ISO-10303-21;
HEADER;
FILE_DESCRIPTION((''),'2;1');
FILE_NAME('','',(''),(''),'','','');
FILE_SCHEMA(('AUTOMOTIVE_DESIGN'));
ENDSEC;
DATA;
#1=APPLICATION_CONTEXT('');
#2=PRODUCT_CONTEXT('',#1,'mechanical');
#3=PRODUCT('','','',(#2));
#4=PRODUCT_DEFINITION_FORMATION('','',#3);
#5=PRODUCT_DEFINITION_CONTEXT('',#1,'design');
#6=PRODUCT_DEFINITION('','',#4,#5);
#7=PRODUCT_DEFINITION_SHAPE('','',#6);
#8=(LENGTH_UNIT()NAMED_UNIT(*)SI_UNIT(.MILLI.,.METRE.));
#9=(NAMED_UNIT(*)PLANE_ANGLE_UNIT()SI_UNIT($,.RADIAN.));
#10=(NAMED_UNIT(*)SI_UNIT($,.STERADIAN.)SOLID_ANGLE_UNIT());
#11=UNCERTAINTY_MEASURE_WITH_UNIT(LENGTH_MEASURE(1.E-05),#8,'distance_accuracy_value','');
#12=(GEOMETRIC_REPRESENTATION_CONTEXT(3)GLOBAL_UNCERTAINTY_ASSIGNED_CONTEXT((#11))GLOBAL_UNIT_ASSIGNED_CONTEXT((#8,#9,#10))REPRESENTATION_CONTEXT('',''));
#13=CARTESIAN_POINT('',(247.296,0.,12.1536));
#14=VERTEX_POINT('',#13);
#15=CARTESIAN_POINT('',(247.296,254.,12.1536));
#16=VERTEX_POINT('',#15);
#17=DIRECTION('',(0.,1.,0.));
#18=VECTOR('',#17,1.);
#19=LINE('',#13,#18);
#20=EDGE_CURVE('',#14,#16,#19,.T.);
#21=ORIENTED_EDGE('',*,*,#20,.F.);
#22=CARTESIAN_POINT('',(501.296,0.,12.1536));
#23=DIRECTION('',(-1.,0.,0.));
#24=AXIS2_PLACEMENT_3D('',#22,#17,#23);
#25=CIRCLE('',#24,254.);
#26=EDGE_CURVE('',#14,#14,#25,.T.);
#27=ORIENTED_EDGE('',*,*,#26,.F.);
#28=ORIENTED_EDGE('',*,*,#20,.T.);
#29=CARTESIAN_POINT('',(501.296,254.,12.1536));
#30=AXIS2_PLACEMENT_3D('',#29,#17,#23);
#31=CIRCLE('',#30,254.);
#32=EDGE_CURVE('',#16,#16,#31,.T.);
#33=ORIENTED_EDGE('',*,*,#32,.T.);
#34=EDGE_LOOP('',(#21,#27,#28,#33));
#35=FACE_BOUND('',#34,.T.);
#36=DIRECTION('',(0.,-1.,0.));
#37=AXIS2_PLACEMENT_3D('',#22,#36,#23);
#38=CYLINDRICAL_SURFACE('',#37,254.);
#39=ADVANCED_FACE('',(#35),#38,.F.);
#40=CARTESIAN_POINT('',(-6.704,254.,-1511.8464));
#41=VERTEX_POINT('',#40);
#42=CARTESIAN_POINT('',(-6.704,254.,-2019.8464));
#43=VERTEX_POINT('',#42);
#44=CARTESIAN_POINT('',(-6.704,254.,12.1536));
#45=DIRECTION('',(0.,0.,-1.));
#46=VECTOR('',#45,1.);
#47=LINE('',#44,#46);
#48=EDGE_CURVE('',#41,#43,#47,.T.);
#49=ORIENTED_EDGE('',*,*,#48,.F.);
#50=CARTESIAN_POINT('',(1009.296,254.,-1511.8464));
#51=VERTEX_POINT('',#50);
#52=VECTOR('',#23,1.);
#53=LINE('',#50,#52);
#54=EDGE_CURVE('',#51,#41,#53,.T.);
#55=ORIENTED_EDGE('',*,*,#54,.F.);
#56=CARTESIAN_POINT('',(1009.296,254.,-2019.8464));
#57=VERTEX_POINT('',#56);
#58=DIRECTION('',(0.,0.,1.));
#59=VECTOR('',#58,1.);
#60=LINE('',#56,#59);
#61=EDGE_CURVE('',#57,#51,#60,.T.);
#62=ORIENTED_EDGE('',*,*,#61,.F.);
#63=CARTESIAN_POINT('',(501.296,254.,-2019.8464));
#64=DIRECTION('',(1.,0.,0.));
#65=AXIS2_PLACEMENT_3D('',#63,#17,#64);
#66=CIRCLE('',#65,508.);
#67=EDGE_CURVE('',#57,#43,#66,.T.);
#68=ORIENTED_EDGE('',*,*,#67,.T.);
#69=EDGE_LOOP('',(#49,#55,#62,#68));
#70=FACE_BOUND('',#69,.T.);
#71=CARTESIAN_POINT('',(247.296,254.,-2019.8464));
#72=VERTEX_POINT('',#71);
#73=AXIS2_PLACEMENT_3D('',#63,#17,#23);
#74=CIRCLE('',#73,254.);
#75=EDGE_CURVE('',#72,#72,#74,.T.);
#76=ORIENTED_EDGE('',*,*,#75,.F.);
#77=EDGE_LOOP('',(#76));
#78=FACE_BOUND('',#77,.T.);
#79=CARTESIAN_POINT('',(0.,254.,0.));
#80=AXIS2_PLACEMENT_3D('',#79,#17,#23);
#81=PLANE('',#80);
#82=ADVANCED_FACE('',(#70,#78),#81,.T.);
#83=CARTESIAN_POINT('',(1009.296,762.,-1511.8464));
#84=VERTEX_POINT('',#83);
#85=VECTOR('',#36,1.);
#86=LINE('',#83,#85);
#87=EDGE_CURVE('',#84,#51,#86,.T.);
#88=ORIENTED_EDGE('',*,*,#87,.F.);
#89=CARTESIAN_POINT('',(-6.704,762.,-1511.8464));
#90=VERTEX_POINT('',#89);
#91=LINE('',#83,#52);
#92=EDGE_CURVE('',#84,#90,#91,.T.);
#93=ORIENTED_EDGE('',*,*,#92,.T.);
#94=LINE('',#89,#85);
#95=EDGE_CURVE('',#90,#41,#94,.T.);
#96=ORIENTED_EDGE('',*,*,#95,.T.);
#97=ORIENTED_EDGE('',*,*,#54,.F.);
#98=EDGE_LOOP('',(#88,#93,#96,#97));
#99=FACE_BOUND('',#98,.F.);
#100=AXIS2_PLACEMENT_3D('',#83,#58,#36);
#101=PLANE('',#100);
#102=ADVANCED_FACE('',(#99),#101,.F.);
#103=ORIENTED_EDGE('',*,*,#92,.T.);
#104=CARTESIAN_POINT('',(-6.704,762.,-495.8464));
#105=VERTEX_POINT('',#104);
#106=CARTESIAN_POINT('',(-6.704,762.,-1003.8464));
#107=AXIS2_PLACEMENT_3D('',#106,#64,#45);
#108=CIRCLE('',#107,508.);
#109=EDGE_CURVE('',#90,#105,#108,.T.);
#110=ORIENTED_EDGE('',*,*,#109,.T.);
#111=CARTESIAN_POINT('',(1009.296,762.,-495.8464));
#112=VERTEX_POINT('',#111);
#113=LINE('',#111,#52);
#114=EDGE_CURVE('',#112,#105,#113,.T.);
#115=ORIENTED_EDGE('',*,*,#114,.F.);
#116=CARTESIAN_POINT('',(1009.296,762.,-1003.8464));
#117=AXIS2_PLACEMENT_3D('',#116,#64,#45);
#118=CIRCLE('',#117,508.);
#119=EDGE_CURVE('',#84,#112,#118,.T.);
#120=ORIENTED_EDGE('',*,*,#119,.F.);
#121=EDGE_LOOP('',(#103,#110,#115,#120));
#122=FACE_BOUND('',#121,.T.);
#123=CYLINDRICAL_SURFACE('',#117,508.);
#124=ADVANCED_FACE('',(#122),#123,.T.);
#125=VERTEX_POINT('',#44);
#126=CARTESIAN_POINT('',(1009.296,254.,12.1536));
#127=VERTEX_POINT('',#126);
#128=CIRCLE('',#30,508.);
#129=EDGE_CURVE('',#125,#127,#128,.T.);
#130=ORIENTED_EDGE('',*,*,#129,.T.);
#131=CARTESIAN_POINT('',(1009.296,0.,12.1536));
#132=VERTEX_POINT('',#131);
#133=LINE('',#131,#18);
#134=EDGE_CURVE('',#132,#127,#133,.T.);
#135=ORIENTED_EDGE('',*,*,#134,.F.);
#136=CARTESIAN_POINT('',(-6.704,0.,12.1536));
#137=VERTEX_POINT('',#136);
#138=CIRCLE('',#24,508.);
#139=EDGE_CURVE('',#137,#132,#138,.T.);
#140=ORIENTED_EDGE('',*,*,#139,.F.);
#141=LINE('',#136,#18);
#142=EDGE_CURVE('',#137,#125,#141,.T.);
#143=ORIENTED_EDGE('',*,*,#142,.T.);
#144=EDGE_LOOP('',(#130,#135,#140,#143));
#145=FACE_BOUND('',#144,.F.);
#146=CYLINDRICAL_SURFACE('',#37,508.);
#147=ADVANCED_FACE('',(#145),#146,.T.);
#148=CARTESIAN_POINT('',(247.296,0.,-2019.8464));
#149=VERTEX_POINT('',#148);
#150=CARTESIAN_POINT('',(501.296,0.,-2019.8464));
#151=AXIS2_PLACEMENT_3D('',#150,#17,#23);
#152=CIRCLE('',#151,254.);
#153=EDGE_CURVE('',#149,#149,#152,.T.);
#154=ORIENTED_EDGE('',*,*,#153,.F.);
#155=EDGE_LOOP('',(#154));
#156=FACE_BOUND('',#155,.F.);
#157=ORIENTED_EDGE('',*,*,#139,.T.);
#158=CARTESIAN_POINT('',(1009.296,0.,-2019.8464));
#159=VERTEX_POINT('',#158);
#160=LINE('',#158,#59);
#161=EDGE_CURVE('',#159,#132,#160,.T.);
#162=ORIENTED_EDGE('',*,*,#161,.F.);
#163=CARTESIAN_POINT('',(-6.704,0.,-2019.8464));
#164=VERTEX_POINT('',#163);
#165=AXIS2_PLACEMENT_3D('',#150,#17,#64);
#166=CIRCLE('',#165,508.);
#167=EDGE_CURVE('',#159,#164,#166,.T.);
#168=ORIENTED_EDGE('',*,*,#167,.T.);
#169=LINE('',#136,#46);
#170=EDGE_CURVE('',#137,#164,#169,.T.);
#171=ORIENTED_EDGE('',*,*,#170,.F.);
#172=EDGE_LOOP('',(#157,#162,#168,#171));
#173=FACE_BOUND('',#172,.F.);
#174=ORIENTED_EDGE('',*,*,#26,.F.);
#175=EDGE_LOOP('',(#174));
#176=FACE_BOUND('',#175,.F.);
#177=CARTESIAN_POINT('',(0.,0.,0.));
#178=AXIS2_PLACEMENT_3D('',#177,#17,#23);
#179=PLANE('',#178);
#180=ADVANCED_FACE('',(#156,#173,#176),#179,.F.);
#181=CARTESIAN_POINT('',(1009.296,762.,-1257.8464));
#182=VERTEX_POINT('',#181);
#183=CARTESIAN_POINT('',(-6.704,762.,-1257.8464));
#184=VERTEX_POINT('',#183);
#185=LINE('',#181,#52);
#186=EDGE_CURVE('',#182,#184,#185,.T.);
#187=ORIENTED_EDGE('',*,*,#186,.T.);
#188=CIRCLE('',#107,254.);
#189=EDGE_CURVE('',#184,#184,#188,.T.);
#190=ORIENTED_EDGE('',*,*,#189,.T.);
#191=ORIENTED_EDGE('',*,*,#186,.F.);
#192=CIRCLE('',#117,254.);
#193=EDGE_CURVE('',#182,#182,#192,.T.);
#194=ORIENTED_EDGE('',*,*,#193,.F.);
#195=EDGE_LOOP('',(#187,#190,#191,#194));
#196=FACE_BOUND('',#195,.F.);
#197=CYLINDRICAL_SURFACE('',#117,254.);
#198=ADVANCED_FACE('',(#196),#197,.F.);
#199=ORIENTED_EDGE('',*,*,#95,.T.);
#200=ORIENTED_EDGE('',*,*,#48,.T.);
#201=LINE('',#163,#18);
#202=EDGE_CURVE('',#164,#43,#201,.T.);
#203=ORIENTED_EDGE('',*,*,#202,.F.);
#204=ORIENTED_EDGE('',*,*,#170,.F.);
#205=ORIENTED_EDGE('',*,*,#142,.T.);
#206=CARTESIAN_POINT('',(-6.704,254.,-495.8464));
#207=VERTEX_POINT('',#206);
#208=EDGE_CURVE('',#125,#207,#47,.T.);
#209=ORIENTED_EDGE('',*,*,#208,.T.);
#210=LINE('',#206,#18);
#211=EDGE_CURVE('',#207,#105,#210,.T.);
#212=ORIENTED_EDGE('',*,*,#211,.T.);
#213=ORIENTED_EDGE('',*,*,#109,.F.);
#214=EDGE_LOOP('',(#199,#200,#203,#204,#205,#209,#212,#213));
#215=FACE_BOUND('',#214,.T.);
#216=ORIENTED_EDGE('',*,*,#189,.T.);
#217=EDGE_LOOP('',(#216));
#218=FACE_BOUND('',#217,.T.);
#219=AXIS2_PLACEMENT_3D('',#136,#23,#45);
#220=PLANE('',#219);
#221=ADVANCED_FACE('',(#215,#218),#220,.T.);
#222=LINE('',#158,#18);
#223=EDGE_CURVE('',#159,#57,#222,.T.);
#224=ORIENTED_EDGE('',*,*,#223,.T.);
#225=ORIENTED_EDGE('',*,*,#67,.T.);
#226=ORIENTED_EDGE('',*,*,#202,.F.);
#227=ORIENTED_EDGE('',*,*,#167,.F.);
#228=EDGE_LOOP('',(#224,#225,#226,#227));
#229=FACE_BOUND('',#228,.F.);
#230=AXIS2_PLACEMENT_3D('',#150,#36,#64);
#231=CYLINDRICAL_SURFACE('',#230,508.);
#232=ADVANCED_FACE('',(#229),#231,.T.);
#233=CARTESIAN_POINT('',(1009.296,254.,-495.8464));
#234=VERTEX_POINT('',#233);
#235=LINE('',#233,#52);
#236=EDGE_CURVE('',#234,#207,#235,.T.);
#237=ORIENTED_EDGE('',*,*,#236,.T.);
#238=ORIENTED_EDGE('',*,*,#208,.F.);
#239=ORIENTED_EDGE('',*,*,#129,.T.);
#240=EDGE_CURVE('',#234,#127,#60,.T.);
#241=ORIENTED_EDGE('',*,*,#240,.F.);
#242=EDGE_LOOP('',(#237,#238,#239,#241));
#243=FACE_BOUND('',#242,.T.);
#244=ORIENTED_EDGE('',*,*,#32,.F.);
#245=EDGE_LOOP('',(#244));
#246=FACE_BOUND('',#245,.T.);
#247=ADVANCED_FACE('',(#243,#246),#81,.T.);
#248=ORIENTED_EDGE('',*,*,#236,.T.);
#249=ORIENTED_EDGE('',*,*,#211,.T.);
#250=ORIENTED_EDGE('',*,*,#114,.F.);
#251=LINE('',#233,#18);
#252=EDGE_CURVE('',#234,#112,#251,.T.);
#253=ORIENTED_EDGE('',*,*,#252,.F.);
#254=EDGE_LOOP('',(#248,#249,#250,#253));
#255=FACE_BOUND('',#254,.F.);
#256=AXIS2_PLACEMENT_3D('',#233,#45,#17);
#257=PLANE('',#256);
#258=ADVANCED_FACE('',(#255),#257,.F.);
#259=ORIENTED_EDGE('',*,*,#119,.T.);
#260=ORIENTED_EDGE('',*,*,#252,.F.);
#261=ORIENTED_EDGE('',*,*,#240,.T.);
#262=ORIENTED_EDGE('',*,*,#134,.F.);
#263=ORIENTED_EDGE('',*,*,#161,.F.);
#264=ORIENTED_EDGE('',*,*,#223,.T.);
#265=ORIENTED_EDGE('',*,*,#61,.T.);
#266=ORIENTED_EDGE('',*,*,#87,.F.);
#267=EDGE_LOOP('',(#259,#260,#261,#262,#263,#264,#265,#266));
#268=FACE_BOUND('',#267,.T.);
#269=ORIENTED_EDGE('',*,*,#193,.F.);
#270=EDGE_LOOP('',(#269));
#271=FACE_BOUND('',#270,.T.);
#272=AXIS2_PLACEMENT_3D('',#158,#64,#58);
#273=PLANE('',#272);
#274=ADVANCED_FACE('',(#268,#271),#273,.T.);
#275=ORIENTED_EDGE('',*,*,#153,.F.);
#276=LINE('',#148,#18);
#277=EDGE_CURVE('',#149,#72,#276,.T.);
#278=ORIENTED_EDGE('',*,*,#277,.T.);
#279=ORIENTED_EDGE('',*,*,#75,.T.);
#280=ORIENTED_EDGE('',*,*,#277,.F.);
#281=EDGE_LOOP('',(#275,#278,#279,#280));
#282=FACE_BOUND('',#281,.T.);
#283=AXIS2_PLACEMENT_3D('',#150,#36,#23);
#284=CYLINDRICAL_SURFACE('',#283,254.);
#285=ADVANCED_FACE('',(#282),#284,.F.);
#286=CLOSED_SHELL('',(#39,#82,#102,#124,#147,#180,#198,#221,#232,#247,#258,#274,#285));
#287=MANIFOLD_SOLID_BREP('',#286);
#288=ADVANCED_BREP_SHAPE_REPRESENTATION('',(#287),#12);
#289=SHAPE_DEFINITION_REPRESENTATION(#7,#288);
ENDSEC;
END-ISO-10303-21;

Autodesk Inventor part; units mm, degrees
ref_plane "YZ Plane" through (0, 0, 0) normal (1, 0, 0) x (0, 1, 0)
ref_plane "XZ Plane" through (0, 0, 0) normal (0, 1, 0) x (-1, 0, 0)
ref_plane "XY Plane" through (0, 0, 0) normal (0, 0, 1) x (1, 0, 0)
sketch "Sketch1" plane through (0, 0, 0) normal (0, 1, 0) x (-1, 0, 0)
  line L0 (6.704, 12.1536) -> (6.704, -2019.8464)
  line L1 (-1009.296, -2019.8464) -> (-1009.296, 12.1536)
  arc A0 (6.704, 12.1536) -> (-1009.296, 12.1536) centre (-501.296, 12.1536) ccw
  arc A1 (-1009.296, -2019.8464) -> (6.704, -2019.8464) centre (-501.296, -2019.8464) ccw
  circle A2 centre (-501.296, 12.1536) radius 254
  circle A3 centre (-501.296, -2019.8464) radius 254
  point P0 (0, 0)
  dimension "d0" = 2032
  dimension "d1" = 1016
  dimension "d2" = 2032
  dimension "d3" = 508
  dimension "d4" = 508
extrude "Extrusion1" add sketch "Sketch1" along normal blind 254
sketch "Sketch2" plane through (0, 254, 0) normal (0, 1, 0) x (1, 0, 0)
  circle A0 centre (501.296, -12.1536) radius 254 projected
  line L0 (501.296, 495.8464) -> (0, 495.8464)
  line L1 (501.296, 495.8464) -> (1009.296, 495.8464)
  line L2 (1009.296, -12.1536) -> (1009.296, 2019.8464) projected
  circle A1 centre (501.296, 2019.8464) radius 254 projected
  line L3 (501.296, 1511.8464) -> (-6.704, 1511.8464)
  line L4 (-6.704, 2019.8464) -> (-6.704, -12.1536) projected
  line L5 (501.296, 1511.8464) -> (1009.296, 1511.8464)
  point P0 (0, 0)
  dimension "d9" = 508
  dimension "d10" = 508
sketch "Sketch3" plane through (0, 254, 0) normal (0, 1, 0) x (1, 0, 0)
  point P0 (0, 0)
sketch "Sketch4" plane through (0, 254, 0) normal (0, 1, 0) x (1, 0, 0)
  line L0 (502.0713, -12.1292) -> (502.0713, 495.8708)
  line L1 (502.0713, 495.8708) -> (-6.704, 495.8708)
  line L2 (-6.704, 2019.8464) -> (-6.704, -12.1536) projected
  point P0 (0, 0)
  dimension "d11" = 508
sketch "Sketch5" plane through (0, 254, 0) normal (0, 1, 0) x (1, 0, 0)
  point P0 (0, 0)
sketch "Sketch6" plane through (0, 254, 0) normal (0, 1, 0) x (1, 0, 0)
  point P0 (0, 0)
sketch "Sketch7" plane through (0, 254, 0) normal (0, 1, 0) x (1, 0, 0)
  point P0 (0, 0)
sketch "Sketch8" plane through (0, 254, 0) normal (0, 1, 0) x (1, 0, 0)
  point P0 (0, 0)
sketch "Sketch9" plane through (0, 0, 0) normal (0, -1, 0) x (1, 0, 0)
  point P0 (0, 0)
sketch "Sketch10" plane through (1009.296, 0, 12.1536) normal (1, 0, 0) x (0, 0, -1)
  line L0 (0, 254) -> (-508, 254) projected
  line L1 (0, 254) -> (508, 254)
  line L2 (2032, 254) -> (0, 254) projected
  line L3 (508, 254) -> (508, 762)
  line L4 (1524, 762) -> (1524, 254)
  line L5 (1524, 254) -> (508, 254)
  arc A0 (1524, 762) -> (508, 762) centre (1016, 762) ccw
  circle A1 centre (1016, 762) radius 254
  point P0 (12.1536, 0)
  dimension "d12" = 508
  dimension "d13" = 508
  dimension "d14" = 1016
  dimension "d15" = 508
  dimension "d16" = 508
extrude "Extrusion2" add sketch "Sketch10" against normal blind 1016
properties part number "Tarea 1 Ochoa y Meneses"
